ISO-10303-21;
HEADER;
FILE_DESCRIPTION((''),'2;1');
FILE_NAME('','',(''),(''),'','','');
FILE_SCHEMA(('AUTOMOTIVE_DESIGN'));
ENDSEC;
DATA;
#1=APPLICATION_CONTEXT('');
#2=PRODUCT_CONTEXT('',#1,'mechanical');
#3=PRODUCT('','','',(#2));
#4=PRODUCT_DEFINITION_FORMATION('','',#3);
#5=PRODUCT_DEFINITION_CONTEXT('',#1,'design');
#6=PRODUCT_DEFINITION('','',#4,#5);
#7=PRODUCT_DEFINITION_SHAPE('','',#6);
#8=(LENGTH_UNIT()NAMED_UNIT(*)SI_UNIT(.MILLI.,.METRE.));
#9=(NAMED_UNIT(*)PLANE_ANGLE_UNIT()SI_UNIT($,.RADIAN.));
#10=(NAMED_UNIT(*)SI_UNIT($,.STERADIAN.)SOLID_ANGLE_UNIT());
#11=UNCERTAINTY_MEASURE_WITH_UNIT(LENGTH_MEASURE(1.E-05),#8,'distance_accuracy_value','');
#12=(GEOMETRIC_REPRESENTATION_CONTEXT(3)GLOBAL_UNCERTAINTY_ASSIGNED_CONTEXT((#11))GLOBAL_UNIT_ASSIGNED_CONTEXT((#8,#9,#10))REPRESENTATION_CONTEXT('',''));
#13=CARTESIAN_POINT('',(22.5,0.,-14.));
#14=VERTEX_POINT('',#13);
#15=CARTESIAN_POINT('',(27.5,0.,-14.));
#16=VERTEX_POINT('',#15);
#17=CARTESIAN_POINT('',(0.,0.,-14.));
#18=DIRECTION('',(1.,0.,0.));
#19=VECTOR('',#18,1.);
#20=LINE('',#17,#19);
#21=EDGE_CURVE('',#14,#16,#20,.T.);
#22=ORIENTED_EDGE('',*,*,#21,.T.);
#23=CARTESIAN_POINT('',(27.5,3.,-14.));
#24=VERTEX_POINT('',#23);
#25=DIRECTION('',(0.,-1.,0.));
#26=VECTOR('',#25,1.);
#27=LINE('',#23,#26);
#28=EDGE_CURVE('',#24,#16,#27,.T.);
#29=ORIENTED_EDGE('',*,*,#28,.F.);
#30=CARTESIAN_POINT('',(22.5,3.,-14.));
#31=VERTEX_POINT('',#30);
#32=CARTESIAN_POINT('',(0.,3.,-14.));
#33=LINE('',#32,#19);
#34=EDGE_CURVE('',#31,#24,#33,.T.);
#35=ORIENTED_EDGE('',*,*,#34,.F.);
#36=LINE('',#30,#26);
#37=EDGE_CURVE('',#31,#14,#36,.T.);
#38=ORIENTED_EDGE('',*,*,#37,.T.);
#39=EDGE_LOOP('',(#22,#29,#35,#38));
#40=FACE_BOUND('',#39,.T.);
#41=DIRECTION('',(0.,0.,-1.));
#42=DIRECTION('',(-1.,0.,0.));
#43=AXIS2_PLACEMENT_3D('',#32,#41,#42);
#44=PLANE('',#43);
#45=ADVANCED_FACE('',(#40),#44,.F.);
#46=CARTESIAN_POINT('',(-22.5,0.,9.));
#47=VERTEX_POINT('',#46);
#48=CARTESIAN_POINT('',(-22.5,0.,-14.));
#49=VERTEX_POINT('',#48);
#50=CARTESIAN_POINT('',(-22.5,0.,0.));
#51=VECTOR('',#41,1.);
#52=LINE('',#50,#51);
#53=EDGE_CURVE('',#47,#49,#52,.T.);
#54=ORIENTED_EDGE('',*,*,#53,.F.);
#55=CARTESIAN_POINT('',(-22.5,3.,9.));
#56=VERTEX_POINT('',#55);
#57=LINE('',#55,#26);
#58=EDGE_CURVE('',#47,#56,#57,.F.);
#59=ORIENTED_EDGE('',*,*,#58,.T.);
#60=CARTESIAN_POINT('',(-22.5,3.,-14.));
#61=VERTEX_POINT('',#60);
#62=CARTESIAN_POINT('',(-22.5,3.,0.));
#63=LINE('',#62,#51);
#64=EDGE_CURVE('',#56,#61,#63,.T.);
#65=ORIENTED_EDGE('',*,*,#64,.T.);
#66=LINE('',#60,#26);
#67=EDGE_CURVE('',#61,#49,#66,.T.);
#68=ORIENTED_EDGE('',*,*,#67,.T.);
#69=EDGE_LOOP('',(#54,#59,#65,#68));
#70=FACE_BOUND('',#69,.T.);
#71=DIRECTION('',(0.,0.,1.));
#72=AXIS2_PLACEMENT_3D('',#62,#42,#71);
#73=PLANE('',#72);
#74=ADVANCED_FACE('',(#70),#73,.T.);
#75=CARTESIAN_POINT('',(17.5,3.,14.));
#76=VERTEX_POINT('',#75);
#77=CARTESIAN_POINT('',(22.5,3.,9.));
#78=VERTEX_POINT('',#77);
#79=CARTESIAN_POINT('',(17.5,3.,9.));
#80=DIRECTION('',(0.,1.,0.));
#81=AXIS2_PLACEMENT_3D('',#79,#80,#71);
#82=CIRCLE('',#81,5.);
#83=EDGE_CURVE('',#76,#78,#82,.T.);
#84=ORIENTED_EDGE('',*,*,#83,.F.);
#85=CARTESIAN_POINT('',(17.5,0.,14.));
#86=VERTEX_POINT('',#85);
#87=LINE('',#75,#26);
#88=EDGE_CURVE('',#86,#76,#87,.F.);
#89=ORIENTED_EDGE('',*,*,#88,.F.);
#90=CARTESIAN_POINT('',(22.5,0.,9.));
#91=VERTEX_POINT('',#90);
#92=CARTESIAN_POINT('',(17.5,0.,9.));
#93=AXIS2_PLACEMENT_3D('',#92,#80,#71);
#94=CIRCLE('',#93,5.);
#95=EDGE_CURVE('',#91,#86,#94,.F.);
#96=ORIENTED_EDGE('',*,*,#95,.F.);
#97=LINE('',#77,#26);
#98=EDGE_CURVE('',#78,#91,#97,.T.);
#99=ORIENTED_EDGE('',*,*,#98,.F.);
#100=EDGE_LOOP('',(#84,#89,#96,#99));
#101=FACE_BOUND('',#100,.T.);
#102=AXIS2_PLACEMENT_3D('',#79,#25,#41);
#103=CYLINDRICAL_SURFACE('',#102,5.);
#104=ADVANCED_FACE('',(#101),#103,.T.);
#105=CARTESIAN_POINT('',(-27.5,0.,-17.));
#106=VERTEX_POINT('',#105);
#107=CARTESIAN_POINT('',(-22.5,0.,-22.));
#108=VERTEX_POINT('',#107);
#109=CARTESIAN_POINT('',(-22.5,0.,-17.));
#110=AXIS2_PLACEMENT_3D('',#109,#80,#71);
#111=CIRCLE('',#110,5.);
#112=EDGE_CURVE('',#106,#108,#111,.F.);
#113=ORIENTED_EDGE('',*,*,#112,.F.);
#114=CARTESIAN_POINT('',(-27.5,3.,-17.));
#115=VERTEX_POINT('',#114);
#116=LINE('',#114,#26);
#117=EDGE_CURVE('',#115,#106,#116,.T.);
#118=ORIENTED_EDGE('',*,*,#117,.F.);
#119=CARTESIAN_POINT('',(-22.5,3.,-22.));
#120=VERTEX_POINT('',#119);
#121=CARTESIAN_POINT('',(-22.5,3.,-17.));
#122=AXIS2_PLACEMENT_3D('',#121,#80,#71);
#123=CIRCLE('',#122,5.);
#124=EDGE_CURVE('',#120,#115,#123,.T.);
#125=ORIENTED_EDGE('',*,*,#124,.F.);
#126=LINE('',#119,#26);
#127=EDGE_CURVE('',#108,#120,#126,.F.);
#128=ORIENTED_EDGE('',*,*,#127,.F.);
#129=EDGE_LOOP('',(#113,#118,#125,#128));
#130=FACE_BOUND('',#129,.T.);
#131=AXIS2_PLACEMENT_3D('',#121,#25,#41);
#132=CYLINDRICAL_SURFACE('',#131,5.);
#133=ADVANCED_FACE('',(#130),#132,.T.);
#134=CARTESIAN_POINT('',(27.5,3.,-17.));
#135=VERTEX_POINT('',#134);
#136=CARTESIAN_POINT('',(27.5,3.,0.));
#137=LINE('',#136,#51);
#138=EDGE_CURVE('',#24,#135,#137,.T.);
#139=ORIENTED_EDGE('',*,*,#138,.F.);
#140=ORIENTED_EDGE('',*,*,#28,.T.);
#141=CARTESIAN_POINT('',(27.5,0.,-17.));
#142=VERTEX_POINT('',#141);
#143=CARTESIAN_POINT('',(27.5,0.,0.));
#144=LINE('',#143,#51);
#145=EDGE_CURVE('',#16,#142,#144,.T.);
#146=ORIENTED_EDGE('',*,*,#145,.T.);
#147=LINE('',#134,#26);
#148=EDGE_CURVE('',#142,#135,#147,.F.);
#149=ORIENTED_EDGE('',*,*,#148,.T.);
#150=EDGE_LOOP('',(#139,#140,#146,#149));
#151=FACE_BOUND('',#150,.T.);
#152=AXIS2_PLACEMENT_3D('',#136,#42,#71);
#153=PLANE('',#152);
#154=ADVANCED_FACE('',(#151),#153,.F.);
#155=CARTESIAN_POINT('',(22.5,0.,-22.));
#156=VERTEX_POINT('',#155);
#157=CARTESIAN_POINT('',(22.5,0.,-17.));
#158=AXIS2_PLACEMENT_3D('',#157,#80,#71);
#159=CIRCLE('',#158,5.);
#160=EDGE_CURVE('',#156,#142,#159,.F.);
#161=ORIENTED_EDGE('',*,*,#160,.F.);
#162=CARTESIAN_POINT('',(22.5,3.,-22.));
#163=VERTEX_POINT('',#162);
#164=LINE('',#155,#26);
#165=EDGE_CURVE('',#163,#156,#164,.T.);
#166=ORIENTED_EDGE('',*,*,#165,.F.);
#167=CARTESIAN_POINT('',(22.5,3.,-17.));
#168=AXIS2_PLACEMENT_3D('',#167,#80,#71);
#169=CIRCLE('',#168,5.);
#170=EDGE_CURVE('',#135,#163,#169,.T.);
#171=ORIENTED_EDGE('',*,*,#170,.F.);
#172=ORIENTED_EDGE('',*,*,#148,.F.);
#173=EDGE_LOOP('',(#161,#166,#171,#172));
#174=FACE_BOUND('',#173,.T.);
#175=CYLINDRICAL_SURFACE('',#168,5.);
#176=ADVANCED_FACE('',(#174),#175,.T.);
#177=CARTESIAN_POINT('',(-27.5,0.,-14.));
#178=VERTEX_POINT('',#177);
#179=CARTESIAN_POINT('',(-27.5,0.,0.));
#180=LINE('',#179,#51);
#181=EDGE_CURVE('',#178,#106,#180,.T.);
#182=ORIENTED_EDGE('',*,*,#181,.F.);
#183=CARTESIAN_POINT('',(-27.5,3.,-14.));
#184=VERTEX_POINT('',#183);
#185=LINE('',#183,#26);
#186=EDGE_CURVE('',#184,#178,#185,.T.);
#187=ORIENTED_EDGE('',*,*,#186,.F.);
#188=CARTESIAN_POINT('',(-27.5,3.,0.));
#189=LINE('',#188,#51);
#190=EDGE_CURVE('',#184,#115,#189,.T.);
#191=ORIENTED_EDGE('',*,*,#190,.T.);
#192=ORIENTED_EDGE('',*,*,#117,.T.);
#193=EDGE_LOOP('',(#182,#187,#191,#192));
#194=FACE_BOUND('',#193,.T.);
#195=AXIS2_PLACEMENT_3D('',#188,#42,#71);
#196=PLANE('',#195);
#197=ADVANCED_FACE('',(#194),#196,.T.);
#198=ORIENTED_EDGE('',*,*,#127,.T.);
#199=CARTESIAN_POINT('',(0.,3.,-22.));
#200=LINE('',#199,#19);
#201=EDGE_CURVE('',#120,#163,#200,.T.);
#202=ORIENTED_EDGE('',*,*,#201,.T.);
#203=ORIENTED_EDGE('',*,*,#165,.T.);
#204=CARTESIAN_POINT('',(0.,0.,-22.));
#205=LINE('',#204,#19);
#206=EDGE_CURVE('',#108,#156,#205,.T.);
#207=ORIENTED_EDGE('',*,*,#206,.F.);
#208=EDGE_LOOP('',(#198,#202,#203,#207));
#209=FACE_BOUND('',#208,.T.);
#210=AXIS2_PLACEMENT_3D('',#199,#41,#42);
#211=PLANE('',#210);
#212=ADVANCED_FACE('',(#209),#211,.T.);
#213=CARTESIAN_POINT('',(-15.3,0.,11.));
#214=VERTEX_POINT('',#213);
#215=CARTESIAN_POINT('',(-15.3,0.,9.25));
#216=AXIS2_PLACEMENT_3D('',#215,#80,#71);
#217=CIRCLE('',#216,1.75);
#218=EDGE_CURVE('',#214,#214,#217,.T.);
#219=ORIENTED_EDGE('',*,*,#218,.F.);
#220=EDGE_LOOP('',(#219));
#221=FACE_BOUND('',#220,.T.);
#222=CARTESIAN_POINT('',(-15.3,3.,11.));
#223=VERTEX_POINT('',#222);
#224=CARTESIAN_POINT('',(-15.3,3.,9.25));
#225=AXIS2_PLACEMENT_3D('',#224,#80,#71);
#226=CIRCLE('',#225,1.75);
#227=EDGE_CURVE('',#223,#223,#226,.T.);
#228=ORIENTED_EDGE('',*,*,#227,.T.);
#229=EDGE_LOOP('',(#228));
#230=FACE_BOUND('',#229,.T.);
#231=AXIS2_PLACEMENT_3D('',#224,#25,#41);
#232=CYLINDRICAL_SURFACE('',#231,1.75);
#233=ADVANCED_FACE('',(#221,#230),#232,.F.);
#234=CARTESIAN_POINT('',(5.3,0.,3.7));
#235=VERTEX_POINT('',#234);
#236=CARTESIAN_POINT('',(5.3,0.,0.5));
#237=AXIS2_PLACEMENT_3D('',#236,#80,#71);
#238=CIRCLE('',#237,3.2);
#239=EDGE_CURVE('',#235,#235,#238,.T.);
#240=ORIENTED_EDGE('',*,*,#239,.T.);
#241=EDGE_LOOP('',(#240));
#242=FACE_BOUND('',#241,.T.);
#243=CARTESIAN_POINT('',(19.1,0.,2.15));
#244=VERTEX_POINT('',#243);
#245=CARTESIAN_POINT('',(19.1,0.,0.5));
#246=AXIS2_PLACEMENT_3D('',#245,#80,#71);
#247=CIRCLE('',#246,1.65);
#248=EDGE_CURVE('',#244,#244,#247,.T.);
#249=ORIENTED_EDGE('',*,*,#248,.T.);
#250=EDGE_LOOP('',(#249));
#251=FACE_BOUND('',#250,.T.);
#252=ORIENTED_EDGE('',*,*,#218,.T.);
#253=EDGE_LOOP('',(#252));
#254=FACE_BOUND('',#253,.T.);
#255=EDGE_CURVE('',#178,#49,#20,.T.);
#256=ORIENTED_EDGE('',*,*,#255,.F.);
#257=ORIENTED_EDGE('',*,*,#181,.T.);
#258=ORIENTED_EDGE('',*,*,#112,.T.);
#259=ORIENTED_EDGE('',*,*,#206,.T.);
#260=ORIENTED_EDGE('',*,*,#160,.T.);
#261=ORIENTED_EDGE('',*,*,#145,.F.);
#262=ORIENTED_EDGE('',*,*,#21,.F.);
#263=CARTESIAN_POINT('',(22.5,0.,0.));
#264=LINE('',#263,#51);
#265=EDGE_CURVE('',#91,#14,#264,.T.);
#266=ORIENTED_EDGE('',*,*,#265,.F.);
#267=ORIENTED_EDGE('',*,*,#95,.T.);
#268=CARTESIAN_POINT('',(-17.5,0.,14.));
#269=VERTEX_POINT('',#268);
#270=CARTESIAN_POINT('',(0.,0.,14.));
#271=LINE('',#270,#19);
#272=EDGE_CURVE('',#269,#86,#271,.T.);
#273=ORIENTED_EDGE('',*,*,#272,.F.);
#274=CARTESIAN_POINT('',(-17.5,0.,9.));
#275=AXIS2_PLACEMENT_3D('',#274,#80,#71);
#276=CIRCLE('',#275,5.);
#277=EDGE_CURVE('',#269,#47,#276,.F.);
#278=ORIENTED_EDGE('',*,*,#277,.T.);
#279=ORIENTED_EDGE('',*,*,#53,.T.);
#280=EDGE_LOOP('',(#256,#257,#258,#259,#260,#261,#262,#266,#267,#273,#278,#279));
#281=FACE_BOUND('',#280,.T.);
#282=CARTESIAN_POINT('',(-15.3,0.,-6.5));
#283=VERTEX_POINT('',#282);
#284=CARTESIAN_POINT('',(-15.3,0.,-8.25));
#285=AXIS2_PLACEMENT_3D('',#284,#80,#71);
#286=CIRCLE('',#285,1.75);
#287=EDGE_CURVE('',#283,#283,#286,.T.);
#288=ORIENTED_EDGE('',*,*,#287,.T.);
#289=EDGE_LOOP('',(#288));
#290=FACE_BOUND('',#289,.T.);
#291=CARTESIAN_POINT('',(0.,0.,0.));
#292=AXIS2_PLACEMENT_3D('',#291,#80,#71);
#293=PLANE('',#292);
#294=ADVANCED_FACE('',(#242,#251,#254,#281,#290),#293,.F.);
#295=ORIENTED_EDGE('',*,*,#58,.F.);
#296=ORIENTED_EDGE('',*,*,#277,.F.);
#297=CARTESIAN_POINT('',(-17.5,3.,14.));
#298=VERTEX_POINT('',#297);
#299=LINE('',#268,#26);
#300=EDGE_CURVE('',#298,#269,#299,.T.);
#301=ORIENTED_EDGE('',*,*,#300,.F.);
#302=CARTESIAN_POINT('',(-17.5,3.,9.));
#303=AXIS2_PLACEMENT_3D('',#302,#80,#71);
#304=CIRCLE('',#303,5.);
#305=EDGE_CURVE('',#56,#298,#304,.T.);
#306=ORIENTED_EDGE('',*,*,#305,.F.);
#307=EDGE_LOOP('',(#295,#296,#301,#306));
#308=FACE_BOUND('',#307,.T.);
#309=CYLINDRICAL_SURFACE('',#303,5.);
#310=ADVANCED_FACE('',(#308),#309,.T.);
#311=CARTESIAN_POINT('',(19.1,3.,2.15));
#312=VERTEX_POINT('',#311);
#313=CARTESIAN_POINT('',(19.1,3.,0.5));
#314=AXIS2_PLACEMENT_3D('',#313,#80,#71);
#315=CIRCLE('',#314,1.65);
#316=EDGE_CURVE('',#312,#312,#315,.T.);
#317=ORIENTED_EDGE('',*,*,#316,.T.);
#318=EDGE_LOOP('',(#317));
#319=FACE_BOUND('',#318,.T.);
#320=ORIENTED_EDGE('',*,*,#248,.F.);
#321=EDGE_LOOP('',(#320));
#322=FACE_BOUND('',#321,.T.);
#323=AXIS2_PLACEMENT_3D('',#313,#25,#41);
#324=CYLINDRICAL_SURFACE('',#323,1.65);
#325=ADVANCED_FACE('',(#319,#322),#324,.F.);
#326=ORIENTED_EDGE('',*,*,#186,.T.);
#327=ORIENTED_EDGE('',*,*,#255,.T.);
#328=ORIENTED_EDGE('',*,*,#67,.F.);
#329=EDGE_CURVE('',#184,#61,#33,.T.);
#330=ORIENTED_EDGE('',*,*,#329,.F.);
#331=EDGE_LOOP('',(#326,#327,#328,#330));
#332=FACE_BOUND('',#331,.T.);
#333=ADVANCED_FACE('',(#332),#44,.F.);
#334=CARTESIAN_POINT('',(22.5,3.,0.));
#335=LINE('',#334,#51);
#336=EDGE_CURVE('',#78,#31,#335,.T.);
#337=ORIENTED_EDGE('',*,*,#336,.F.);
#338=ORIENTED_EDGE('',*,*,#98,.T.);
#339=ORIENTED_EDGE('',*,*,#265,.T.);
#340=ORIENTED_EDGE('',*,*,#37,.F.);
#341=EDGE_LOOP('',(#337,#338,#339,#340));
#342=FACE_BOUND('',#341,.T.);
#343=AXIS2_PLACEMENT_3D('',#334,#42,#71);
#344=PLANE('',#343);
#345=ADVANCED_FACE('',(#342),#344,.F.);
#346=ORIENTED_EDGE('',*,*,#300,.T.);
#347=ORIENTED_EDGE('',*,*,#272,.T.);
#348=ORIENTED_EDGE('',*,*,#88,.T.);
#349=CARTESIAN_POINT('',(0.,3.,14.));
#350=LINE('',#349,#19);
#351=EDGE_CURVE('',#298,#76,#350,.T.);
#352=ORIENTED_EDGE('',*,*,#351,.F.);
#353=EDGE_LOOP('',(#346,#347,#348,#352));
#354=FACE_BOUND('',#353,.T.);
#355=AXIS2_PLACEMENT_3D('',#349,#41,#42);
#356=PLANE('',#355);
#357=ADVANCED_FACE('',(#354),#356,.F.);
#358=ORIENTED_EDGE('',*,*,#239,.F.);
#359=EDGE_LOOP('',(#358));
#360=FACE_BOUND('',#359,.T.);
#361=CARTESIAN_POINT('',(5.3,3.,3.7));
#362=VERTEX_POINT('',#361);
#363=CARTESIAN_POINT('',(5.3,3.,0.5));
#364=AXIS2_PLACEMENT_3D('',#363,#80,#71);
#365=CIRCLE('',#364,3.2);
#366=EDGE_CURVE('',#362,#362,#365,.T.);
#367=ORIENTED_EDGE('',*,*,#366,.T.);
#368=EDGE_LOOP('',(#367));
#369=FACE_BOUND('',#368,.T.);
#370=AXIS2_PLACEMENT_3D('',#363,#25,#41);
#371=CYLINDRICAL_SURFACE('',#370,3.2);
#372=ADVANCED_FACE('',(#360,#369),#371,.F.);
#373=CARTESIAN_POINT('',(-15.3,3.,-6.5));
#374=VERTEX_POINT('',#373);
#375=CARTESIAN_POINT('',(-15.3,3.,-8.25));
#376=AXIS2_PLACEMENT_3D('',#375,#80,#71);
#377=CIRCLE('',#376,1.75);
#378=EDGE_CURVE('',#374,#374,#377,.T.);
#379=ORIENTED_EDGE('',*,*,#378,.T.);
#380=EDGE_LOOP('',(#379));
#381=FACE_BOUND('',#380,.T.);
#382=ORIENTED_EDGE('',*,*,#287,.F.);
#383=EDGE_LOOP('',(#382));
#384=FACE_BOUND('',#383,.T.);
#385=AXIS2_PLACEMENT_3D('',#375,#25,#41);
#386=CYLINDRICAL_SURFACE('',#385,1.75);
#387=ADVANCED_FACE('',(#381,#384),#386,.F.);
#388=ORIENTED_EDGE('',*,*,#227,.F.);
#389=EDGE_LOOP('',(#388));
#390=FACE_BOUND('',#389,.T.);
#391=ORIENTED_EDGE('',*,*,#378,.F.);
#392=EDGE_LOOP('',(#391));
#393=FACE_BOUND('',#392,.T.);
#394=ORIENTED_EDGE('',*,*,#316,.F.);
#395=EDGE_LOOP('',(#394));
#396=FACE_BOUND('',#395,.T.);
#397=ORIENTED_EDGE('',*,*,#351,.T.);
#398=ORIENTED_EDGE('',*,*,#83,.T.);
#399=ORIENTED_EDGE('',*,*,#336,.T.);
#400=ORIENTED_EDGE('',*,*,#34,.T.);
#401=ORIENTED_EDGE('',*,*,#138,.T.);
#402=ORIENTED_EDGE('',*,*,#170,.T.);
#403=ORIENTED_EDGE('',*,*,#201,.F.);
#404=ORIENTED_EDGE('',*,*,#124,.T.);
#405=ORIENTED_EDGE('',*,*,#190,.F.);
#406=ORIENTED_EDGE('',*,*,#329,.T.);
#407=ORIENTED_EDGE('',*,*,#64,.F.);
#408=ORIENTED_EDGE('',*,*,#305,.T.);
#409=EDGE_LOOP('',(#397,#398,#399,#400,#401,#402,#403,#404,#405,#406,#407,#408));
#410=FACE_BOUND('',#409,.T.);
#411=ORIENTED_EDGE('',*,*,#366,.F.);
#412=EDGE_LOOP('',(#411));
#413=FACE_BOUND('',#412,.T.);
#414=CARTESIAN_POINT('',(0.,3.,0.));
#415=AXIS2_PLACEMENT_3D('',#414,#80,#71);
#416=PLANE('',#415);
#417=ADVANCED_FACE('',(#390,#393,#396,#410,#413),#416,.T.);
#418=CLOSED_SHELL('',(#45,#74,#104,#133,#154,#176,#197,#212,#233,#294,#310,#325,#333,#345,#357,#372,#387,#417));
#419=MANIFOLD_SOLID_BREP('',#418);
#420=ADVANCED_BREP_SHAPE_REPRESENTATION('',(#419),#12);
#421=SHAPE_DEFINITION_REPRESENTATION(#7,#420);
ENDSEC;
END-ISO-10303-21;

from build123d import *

# Parameters (mm, degrees)
SKETCH1_W           = 45
SKETCH1_H           = 28
SKETCH1_R           = 1.65
SKETCH1_R_2         = 3.2
SKETCH1_R_3         = 1.75
BOSS_EXTRUDE1_DEPTH = 3
FILLET1_R           = 5


with BuildPart() as part:
    # Sketch1 → Boss-Extrude1 (new body)
    # profile 1 of 2: a face of its own
    with BuildSketch(Plane(origin=(0, 0, 0), x_dir=(1, 0, 0), z_dir=(0, 1, 0))):
        Polygon((-27.5, 14), (-22.5, 14), (22.5, 14), (27.5, 14), (27.5, 22), (-27.5, 22), align=None)
    # profile 2 of 2: a face of its own
    with BuildSketch(Plane(origin=(0, 0, 0), x_dir=(1, 0, 0), z_dir=(0, 1, 0))):
        Rectangle(SKETCH1_W, SKETCH1_H)
        with Locations(Location((19.1, -0.5, 0), (0, 0, 270))):
            Circle(SKETCH1_R, mode=Mode.SUBTRACT)
        with Locations(Location((5.3, -0.5, 0), (0, 0, 270))):
            Circle(SKETCH1_R_2, mode=Mode.SUBTRACT)
        with Locations(Location((-15.3, 8.25, 0), (0, 0, 270))):
            Circle(SKETCH1_R_3, mode=Mode.SUBTRACT)
        with Locations(Location((-15.3, -9.25, 0), (0, 0, 270))):
            Circle(SKETCH1_R_3, mode=Mode.SUBTRACT)
    extrude(amount=BOSS_EXTRUDE1_DEPTH)

    # Fillet1
    fillet1_edges = [part.edges().sort_by_distance(p)[0] for p in [
        (-27.5, 1.5, -22),
        (27.5, 1.5, -22),
        (22.5, 1.5, 14),
        (-22.5, 1.5, 14),
    ]]
    fillet(fillet1_edges, radius=FILLET1_R)


solid = part.part
